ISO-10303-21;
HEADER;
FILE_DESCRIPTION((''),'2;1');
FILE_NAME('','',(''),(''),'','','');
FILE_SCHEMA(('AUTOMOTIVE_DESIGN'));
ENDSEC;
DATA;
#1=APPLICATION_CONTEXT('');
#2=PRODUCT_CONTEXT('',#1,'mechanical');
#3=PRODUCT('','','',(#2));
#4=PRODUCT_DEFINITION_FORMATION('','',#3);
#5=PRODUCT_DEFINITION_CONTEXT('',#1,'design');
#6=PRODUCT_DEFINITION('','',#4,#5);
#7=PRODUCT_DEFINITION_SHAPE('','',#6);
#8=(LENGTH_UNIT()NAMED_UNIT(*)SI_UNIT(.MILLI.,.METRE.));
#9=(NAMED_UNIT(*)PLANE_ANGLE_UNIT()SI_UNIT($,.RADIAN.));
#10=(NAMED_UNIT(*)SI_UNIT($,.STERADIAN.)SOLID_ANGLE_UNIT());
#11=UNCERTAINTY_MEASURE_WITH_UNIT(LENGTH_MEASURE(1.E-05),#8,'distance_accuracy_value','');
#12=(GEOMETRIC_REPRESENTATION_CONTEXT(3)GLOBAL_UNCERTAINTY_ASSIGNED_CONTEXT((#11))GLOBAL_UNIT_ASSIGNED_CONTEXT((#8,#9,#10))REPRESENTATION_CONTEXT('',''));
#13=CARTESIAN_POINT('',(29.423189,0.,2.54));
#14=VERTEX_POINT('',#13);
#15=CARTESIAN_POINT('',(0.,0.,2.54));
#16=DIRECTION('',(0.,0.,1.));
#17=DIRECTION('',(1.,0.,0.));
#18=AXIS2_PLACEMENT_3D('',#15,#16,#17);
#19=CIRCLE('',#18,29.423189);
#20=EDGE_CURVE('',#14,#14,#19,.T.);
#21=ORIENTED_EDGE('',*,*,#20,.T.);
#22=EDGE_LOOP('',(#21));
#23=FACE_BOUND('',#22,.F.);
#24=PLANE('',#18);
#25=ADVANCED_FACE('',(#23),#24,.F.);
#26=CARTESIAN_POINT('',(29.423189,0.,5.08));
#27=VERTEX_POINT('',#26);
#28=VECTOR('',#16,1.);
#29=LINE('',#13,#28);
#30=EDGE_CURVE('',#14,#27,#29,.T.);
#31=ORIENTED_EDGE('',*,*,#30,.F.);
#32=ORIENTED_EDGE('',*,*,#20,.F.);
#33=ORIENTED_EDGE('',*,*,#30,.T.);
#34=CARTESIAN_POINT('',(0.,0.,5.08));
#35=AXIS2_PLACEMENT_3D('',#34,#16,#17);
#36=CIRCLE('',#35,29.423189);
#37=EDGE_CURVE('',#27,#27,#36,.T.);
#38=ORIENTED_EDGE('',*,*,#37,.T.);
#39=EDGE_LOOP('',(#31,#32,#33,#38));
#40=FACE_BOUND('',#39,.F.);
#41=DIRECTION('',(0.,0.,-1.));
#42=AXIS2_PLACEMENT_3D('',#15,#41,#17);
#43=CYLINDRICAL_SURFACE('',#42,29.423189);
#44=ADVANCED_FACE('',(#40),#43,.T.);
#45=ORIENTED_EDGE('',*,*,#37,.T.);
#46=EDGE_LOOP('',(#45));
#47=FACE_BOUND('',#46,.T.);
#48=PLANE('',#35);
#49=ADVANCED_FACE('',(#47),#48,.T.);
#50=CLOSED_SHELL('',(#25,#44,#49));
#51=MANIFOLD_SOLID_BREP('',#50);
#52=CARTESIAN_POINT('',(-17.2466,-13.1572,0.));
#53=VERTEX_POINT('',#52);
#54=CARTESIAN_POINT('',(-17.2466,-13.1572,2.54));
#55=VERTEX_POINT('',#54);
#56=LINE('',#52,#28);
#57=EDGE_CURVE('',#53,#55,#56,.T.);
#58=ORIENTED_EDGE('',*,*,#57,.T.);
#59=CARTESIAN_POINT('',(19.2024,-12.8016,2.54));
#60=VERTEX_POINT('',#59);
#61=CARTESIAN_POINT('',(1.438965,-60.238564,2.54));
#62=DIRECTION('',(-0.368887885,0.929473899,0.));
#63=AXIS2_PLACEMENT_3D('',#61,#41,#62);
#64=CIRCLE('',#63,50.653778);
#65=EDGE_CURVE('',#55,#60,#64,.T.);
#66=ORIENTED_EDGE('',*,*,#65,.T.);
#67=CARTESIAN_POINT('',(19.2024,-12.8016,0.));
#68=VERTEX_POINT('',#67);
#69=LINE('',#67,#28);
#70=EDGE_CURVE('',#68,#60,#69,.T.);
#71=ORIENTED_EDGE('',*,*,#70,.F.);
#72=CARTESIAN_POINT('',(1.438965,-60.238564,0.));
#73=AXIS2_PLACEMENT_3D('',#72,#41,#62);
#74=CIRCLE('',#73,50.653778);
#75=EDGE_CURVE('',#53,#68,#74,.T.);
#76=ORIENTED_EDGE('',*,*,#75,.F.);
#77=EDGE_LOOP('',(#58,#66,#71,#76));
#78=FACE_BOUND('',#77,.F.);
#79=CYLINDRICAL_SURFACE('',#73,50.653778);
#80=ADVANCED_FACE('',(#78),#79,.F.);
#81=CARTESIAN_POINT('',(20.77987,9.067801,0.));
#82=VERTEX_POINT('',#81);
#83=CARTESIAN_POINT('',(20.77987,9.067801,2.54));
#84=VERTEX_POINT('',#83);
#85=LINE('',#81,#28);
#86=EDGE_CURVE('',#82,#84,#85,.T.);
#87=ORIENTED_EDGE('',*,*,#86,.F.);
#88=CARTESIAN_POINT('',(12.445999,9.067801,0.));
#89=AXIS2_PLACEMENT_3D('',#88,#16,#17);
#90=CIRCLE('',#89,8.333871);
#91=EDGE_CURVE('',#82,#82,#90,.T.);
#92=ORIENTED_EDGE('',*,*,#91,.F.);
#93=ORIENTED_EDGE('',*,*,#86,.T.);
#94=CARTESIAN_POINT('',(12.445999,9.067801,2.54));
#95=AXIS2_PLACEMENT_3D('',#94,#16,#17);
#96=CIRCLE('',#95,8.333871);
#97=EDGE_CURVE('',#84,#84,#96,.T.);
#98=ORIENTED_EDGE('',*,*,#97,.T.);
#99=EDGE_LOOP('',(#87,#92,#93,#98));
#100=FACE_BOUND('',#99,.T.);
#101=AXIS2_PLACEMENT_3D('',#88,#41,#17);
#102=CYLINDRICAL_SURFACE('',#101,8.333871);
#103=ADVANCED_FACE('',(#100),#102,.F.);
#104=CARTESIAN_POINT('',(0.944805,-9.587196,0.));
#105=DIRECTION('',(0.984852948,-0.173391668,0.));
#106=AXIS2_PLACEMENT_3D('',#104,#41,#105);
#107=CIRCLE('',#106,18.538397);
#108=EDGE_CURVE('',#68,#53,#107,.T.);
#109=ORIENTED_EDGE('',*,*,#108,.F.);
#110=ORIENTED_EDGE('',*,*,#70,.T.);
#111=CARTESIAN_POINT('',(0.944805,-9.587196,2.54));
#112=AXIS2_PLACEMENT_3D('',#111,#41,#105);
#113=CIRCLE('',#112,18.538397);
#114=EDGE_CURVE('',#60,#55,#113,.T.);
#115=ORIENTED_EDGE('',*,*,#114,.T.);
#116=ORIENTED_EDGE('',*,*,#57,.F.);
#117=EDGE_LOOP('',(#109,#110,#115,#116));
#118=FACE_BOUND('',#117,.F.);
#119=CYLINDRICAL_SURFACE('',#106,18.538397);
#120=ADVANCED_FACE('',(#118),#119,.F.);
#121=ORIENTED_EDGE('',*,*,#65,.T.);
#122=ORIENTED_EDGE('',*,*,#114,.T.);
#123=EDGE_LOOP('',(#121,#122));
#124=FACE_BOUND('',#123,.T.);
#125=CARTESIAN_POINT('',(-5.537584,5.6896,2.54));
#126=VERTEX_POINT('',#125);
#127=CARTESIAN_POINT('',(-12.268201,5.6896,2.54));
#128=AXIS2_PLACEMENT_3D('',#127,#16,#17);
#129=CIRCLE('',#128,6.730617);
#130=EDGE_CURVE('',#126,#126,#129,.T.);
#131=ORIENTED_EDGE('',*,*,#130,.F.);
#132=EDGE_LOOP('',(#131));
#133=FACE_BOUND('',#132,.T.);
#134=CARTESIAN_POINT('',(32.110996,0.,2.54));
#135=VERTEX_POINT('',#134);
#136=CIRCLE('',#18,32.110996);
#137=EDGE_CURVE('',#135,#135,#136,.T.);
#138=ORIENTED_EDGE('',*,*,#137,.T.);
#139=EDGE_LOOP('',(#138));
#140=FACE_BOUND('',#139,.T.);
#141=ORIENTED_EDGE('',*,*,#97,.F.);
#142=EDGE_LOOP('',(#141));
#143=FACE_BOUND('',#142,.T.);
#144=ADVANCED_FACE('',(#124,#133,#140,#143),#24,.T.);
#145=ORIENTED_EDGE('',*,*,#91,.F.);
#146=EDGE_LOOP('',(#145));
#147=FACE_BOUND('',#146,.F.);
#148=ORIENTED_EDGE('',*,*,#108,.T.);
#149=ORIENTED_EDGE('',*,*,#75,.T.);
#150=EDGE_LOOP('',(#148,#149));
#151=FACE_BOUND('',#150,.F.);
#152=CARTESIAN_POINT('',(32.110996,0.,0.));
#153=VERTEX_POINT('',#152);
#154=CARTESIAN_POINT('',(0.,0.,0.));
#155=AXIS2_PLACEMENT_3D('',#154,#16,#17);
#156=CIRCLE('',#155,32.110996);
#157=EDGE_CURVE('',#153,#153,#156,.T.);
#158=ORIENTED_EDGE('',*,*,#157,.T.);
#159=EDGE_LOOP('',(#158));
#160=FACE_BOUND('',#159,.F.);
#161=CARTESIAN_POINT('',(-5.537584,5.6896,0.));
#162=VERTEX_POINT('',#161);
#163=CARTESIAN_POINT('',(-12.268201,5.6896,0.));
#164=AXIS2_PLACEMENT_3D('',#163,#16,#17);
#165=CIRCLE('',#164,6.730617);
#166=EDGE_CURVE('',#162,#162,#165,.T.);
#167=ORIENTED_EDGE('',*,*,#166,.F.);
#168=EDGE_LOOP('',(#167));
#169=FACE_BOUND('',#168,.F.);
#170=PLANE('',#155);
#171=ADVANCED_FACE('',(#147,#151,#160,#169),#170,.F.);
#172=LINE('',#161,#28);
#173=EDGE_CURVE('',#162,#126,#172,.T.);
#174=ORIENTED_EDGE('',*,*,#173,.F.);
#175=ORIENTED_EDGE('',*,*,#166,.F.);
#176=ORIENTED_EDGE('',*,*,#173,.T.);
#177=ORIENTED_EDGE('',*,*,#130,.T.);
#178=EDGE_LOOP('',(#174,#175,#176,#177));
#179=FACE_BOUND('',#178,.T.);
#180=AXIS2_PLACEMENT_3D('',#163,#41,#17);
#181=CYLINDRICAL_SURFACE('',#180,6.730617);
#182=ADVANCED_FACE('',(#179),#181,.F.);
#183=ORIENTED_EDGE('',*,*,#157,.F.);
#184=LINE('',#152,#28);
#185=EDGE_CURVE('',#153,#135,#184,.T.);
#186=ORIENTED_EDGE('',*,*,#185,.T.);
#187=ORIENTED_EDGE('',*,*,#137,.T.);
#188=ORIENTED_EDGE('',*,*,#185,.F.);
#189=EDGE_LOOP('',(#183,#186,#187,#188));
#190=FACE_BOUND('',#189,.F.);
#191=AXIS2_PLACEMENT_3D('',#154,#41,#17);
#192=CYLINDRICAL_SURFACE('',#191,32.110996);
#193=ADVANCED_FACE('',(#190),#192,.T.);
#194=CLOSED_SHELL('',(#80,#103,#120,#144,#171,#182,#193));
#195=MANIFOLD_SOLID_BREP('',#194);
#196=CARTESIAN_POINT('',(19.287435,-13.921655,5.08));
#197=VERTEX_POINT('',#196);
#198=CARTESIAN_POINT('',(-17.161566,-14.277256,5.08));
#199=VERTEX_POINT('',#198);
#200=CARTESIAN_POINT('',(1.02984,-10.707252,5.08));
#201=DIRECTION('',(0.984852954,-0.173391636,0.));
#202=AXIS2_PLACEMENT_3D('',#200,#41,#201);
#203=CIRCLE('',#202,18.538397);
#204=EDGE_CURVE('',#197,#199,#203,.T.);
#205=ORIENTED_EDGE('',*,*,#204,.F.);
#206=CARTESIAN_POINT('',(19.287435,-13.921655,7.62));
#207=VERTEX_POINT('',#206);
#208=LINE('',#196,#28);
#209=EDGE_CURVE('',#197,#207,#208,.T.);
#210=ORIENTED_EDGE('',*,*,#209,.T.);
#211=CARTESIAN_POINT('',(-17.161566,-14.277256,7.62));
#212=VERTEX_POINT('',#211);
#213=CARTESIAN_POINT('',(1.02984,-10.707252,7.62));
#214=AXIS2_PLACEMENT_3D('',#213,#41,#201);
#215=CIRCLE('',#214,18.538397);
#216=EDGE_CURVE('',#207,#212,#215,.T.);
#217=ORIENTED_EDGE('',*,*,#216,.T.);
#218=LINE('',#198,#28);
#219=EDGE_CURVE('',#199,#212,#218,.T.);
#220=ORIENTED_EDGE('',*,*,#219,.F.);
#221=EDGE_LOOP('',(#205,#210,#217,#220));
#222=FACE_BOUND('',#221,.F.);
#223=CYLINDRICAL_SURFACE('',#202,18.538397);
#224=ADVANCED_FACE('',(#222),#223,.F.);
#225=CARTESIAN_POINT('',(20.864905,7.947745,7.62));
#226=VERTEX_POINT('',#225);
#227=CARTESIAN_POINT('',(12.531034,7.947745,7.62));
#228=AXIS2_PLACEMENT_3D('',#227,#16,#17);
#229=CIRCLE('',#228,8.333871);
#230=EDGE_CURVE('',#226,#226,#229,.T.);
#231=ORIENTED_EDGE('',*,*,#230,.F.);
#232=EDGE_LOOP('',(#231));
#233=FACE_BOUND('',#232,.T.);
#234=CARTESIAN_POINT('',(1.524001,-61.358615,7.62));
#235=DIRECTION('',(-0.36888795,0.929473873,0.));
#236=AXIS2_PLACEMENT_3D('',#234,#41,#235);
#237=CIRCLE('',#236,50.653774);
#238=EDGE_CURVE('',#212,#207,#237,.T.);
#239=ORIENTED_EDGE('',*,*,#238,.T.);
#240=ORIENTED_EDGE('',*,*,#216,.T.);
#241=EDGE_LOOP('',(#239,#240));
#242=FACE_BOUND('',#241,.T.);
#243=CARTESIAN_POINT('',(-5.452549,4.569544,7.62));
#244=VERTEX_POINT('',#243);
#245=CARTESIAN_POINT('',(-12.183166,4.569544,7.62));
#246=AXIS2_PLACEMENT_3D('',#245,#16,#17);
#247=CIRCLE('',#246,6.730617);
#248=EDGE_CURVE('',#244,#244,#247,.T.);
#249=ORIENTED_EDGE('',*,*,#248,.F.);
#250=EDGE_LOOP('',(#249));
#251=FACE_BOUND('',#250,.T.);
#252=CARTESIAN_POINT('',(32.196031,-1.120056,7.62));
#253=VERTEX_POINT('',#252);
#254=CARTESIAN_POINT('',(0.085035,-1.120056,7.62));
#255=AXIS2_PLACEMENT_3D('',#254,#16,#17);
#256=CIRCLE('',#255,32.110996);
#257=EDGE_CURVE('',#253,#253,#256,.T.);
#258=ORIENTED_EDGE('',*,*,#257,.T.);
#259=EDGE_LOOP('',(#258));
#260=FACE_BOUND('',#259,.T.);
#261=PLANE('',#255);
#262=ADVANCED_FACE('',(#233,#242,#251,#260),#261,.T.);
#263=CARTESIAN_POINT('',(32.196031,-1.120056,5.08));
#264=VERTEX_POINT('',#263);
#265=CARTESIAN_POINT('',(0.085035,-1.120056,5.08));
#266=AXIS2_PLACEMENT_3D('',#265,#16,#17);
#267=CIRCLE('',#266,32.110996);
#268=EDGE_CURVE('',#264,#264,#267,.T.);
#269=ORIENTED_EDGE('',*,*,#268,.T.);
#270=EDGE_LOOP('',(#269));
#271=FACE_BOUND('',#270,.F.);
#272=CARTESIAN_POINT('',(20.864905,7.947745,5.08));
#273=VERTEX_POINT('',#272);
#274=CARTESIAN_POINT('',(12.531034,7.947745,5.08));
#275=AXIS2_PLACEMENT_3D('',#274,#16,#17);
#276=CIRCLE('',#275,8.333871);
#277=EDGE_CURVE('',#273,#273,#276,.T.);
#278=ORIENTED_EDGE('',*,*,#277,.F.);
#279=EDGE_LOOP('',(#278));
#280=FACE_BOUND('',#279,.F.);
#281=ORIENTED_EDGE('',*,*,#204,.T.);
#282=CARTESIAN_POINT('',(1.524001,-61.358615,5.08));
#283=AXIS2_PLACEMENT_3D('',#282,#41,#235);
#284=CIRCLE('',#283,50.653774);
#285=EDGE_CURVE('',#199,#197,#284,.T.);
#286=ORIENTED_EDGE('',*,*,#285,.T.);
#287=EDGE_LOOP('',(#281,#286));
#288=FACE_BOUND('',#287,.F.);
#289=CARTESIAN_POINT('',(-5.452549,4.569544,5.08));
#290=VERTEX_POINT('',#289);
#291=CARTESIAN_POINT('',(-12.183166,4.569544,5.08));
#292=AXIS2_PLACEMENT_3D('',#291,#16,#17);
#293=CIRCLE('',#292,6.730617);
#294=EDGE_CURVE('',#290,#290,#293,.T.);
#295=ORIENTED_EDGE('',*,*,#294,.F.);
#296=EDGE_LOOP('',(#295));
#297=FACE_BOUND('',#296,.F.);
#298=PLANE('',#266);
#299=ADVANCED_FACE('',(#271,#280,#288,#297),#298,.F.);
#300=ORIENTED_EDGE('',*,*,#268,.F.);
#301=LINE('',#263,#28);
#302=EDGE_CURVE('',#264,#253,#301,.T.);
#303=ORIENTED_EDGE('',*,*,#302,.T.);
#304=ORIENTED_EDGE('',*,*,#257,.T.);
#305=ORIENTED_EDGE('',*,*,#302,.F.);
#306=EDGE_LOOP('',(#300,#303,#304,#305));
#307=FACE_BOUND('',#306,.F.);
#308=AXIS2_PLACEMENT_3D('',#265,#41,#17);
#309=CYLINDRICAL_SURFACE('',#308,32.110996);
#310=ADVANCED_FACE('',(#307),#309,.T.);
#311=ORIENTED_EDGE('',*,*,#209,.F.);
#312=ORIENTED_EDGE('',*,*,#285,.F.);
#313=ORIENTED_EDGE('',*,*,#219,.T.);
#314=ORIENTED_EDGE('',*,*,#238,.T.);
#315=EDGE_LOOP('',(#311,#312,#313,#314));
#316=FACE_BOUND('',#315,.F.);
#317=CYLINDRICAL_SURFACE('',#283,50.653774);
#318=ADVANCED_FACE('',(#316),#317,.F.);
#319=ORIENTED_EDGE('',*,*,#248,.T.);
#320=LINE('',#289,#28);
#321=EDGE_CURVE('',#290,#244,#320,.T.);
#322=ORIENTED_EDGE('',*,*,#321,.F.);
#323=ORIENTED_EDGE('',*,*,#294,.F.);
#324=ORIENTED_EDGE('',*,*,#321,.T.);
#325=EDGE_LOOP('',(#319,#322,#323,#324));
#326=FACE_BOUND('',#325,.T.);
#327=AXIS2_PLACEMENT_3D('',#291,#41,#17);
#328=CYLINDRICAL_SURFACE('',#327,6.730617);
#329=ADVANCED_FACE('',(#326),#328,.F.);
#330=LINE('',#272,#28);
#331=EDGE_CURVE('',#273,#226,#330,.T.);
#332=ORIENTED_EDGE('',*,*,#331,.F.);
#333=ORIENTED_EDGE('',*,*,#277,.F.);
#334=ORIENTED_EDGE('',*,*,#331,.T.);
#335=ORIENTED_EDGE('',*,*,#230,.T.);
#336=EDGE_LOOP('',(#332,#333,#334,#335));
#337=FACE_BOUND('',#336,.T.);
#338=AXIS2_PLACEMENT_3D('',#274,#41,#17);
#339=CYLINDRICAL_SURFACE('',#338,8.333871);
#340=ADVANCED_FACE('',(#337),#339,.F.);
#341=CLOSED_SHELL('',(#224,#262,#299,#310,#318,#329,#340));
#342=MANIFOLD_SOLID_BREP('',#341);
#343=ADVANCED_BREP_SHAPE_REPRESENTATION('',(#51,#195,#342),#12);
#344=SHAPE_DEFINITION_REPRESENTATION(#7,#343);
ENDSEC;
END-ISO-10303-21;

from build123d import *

# Parameters (mm, degrees)
F0_R     = 32.110996
F0_R_2   = 6.730617
F0_R_3   = 8.333871
F1_DEPTH = 2.54
F2_R     = 29.423189
F3_DEPTH = 2.54
F4_R     = 32.110996
F4_R_2   = 6.730617
F4_R_3   = 8.333871
F5_DEPTH = 2.54


with BuildPart() as f1:
    # F0 (on Top) → F1 (new body)
    with BuildSketch(Plane.XY):
        Circle(F0_R)
        with BuildLine():
            ThreePointArc((19.2024, -12.8016), (1.125659, -28.124711), (-17.2466, -13.1572))
            ThreePointArc((-17.2466, -13.1572), (0.944805, -9.587197), (19.2024, -12.8016))
        make_face(mode=Mode.SUBTRACT)
        with Locations((-12.268201, 5.6896)):
            Circle(F0_R_2, mode=Mode.SUBTRACT)
        with Locations((12.445999, 9.067801)):
            Circle(F0_R_3, mode=Mode.SUBTRACT)
    extrude(amount=F1_DEPTH)


with BuildPart() as f3:
    # F2 (on face) → F3 (new body)
    with BuildSketch(Plane.XY.offset(2.54)):
        Circle(F2_R)
    extrude(amount=F3_DEPTH)


with BuildPart() as f5:
    # F4 (on face) → F5 (new body)
    with BuildSketch(Plane.XY.offset(5.08)):
        with Locations((0.085035, -1.120056)):
            Circle(F4_R)
        with BuildLine():
            ThreePointArc((19.287435, -13.921655), (1.210694, -29.244767), (-17.161566, -14.277256))
            ThreePointArc((-17.161566, -14.277256), (1.02984, -10.707252), (19.287435, -13.921655))
        make_face(mode=Mode.SUBTRACT)
        with Locations((-12.183166, 4.569544)):
            Circle(F4_R_2, mode=Mode.SUBTRACT)
        with Locations((12.531034, 7.947745)):
            Circle(F4_R_3, mode=Mode.SUBTRACT)
    extrude(amount=F5_DEPTH)


solid = Compound([f1.part, f3.part, f5.part])
